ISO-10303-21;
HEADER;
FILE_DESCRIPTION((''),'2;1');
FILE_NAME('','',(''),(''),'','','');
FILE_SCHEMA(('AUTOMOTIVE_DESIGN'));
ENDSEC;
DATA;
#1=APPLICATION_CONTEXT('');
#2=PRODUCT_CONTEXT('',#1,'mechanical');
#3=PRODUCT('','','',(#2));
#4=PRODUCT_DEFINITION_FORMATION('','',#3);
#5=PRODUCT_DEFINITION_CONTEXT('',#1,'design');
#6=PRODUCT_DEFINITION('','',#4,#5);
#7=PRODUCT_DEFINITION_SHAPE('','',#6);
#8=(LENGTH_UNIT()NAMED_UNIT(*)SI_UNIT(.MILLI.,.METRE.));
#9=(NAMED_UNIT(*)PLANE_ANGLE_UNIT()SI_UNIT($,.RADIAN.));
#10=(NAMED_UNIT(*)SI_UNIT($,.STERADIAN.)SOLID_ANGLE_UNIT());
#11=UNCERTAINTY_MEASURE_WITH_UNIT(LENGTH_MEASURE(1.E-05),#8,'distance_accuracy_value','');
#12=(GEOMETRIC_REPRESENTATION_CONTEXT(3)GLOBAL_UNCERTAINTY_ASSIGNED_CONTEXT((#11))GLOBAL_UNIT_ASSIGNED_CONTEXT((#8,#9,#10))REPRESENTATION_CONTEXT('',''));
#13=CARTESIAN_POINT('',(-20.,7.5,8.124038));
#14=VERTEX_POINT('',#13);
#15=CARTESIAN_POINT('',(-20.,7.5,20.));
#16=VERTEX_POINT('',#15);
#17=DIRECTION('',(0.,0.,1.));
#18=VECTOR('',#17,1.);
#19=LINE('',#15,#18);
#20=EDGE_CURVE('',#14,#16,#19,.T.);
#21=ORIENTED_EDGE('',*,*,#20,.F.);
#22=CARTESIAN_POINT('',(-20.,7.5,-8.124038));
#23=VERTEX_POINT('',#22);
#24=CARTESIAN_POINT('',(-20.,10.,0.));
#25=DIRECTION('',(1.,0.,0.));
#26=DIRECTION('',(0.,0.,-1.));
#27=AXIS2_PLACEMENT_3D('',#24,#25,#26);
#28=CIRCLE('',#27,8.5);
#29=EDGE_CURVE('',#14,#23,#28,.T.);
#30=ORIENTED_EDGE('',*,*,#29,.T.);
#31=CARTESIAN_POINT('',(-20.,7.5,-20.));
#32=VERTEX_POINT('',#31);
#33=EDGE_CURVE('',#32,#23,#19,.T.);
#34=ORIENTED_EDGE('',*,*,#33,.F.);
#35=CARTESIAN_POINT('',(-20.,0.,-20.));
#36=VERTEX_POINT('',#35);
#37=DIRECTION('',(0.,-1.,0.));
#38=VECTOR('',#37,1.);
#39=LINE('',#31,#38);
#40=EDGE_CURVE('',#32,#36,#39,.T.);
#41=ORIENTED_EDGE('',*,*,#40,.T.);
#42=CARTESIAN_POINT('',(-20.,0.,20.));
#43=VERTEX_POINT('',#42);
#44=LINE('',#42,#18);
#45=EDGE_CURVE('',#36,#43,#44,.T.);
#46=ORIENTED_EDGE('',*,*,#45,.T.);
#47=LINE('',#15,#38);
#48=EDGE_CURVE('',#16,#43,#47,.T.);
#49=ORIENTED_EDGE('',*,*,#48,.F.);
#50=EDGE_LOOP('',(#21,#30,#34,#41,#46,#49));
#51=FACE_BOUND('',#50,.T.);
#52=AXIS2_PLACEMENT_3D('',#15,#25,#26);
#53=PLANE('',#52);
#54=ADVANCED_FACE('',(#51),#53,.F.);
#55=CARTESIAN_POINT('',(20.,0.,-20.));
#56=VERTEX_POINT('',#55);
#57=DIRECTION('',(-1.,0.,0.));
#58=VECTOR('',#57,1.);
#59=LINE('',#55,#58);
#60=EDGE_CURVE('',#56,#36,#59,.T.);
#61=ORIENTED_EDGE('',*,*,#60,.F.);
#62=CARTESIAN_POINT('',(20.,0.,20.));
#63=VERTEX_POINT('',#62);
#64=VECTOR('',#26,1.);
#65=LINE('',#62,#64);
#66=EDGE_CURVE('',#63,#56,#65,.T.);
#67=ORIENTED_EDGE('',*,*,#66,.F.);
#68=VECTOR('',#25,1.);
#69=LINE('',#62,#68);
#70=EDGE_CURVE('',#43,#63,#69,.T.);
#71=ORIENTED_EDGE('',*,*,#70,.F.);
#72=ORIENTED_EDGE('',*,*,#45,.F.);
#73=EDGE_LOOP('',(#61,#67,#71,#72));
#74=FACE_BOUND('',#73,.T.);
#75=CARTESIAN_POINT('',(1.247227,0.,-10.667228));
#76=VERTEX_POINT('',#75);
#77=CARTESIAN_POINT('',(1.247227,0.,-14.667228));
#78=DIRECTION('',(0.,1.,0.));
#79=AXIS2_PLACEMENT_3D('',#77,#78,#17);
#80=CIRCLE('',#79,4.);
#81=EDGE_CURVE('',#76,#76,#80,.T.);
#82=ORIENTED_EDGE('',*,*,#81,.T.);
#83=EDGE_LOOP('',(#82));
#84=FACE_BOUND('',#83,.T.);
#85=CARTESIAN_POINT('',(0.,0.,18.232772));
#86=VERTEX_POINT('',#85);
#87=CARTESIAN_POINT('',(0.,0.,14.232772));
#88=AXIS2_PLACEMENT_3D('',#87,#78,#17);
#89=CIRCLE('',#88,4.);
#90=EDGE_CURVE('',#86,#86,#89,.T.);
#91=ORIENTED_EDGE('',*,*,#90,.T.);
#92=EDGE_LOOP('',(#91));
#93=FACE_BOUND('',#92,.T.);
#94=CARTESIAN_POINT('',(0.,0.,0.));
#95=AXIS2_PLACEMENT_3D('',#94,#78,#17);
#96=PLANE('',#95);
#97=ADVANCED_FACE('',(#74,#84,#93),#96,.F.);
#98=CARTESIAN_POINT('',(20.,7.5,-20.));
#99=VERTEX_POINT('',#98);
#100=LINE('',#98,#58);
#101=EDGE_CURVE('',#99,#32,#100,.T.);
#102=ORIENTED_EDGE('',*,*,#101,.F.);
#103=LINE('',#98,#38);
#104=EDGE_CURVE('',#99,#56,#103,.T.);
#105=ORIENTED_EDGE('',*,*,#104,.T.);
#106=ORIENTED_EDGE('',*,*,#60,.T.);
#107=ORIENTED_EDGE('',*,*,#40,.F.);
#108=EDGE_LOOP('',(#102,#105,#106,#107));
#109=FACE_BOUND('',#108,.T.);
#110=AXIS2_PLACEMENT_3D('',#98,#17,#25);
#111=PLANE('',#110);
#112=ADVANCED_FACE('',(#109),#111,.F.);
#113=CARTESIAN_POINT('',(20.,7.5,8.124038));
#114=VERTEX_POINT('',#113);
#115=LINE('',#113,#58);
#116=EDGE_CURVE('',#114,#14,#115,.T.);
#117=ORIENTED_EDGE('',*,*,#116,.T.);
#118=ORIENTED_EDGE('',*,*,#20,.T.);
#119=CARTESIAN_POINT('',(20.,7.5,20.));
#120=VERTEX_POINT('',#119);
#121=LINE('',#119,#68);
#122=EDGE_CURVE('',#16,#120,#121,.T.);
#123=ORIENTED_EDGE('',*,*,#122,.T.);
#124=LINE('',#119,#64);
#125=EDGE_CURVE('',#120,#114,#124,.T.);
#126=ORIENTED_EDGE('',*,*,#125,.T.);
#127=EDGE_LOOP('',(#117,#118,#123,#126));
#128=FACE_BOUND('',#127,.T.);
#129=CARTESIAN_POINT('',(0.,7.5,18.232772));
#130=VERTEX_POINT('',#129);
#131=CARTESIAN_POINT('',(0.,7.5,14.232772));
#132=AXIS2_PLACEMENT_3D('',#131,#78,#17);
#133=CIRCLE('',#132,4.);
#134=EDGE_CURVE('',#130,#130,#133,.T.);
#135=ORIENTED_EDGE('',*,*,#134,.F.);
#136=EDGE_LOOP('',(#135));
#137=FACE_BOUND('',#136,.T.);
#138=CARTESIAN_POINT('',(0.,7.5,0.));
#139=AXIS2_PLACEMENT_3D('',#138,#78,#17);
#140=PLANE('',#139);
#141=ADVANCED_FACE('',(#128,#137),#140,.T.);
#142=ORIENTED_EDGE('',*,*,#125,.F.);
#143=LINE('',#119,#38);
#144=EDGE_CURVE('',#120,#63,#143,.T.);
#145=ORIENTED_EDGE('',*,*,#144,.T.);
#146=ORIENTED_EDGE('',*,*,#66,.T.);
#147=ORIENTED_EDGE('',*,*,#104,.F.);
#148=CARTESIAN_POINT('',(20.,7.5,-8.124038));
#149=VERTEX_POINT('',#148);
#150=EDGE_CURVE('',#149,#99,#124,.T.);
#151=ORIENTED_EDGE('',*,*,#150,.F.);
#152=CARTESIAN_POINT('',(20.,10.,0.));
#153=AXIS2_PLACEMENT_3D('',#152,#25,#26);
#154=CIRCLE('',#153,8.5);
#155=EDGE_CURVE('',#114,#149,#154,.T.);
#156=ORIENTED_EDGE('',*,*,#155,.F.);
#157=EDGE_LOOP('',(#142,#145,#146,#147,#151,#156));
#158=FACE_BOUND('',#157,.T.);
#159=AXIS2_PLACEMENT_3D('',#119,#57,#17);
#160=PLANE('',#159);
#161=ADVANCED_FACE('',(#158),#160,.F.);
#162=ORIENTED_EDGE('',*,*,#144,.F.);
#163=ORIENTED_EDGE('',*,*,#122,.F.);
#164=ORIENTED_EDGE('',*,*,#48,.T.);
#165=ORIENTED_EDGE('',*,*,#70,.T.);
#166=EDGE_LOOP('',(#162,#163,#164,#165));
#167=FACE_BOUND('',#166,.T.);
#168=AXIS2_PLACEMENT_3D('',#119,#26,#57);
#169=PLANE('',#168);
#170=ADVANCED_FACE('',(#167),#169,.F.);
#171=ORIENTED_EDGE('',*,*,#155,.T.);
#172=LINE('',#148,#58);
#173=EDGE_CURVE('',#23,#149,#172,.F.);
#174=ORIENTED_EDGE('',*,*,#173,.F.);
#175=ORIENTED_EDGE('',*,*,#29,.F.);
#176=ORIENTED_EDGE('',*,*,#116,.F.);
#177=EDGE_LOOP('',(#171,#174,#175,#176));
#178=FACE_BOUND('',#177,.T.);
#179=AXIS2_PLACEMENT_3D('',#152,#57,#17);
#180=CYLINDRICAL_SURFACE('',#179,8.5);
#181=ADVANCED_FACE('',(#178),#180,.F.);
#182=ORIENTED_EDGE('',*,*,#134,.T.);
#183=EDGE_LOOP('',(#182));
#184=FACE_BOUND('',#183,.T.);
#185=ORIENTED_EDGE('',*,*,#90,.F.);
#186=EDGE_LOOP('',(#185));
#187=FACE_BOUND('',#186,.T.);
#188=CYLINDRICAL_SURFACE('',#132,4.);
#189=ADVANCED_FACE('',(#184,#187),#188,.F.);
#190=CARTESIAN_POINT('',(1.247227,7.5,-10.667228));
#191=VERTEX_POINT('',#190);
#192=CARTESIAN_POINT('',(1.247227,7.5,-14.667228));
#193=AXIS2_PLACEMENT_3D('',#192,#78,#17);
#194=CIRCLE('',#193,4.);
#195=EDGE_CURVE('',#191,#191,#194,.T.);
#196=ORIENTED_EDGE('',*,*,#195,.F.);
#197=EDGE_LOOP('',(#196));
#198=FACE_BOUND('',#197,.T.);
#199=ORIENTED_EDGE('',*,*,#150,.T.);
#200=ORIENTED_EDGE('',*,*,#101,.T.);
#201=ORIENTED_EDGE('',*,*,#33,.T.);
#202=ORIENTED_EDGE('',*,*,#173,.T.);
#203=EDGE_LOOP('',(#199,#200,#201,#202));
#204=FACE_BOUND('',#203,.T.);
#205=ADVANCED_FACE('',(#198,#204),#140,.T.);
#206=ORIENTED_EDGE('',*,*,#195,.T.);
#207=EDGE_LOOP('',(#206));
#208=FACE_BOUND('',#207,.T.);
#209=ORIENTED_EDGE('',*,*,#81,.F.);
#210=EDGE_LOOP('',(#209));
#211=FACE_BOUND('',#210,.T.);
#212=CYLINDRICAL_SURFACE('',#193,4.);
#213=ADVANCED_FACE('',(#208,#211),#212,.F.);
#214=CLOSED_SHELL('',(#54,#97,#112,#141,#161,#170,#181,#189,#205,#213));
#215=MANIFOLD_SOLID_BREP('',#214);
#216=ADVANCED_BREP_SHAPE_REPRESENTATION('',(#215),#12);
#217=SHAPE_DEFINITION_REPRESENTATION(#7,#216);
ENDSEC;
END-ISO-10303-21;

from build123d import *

# Parameters (mm, degrees)
SKETCH1_W                = 40
SKETCH1_H                = 40
BOSS_EXTRUDE1_DEPTH      = 7.5
CUT_EXTRUDE1_DEPTH       = 20
CUT_EXTRUDE1_DEPTH_BACK  = 20
SKETCH2_R                = 8.5
F_8_0_8_DIAMETER_HOLE1_D = 8


with BuildPart() as part:
    # Sketch1 → Boss-Extrude1 (new body)
    with BuildSketch(Plane(origin=(0, 0, 0), x_dir=(1, 0, 0), z_dir=(0, 1, 0))):
        Rectangle(SKETCH1_W, SKETCH1_H)
    extrude(amount=BOSS_EXTRUDE1_DEPTH)

    # Sketch2 → Cut-Extrude1 (cut, two sides: drawn at the far end of the back side and taken through both)
    with BuildSketch(Plane(origin=(0, 0, 0), x_dir=(0, 0, -1), z_dir=(1, 0, 0)).offset(-CUT_EXTRUDE1_DEPTH_BACK)):
        with Locations((0, 10)):
            Circle(SKETCH2_R)
    extrude(amount=CUT_EXTRUDE1_DEPTH + CUT_EXTRUDE1_DEPTH_BACK, mode=Mode.SUBTRACT)

    # Ø8.0 (8) Diameter Hole1 (through all)
    with Locations(Plane(origin=(0, 7.5, 0), x_dir=(1, 0, 0), z_dir=(0, 1, 0))):
        with Locations((1.247226864, 14.667228454), (0, -14.232771546)):
            Hole(F_8_0_8_DIAMETER_HOLE1_D / 2)


solid = part.part
